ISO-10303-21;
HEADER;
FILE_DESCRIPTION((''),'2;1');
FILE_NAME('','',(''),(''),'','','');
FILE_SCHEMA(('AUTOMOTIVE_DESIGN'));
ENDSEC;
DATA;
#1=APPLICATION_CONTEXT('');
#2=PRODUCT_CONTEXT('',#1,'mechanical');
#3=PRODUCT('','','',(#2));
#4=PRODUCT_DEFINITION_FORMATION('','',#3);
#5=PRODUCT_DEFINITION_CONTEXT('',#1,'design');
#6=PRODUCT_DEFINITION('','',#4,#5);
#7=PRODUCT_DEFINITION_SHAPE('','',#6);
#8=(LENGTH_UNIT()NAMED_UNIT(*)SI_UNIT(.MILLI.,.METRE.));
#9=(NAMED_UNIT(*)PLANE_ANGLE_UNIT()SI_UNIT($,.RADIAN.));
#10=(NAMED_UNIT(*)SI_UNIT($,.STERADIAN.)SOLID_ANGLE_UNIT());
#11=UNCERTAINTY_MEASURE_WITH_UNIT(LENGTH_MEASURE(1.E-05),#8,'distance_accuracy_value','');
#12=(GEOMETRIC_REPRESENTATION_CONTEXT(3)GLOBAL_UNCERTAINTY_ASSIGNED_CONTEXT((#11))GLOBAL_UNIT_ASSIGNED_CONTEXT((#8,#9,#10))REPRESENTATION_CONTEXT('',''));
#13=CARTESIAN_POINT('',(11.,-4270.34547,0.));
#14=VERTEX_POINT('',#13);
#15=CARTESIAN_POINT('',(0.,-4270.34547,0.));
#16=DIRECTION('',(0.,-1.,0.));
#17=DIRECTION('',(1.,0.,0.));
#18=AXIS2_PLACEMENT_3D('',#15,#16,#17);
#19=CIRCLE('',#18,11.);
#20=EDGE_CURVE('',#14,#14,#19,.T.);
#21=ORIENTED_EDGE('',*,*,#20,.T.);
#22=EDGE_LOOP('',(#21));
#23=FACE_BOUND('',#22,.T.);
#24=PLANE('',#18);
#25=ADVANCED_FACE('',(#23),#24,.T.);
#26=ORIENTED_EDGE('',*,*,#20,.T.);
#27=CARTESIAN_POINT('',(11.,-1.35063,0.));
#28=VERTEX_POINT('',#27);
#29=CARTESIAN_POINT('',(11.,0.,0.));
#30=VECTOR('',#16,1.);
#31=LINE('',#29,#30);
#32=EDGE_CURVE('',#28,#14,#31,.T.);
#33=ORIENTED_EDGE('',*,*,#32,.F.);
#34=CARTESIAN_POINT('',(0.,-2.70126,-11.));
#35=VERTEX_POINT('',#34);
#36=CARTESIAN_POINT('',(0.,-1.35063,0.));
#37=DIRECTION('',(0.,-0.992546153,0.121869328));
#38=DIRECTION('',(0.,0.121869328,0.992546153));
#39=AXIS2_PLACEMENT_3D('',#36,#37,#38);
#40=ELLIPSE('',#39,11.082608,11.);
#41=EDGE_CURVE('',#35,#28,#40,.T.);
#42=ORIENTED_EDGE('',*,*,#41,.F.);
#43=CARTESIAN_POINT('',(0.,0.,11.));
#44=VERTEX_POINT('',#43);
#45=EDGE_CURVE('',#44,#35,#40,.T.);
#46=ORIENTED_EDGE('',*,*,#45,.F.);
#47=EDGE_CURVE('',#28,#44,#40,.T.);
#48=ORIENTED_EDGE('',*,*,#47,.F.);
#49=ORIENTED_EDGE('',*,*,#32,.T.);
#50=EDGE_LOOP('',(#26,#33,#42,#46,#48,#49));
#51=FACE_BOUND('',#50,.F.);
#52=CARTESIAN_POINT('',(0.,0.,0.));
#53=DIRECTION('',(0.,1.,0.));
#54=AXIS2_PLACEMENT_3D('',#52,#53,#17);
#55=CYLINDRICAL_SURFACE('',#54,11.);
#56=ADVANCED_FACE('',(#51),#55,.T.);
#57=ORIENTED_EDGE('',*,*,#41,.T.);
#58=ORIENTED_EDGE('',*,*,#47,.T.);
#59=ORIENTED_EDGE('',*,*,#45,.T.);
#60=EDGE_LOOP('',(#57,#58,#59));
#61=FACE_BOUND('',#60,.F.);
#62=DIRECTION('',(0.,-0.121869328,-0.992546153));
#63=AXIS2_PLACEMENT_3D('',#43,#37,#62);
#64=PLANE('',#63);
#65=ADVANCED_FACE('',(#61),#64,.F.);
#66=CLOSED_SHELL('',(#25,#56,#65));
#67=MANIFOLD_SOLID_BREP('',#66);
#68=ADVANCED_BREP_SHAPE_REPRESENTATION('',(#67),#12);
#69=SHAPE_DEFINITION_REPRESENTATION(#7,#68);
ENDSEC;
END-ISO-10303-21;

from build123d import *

# Parameters (mm, degrees)
F0_R     = 11
F1_DEPTH = 4270.34547
F3_DEPTH = 12.5


with BuildPart() as f1:
    # F0 (on Front) → F1 (new body)
    with BuildSketch(Plane.XZ):
        Circle(F0_R)
    extrude(amount=F1_DEPTH)

    # F2 (on Right) → F3 (cut, symmetric)
    with BuildSketch(Plane.YZ):
        Polygon((-2.70126, -11), (0, -11), (0, 11), align=None)
    extrude(amount=F3_DEPTH, both=True, mode=Mode.SUBTRACT)


solid = f1.part
